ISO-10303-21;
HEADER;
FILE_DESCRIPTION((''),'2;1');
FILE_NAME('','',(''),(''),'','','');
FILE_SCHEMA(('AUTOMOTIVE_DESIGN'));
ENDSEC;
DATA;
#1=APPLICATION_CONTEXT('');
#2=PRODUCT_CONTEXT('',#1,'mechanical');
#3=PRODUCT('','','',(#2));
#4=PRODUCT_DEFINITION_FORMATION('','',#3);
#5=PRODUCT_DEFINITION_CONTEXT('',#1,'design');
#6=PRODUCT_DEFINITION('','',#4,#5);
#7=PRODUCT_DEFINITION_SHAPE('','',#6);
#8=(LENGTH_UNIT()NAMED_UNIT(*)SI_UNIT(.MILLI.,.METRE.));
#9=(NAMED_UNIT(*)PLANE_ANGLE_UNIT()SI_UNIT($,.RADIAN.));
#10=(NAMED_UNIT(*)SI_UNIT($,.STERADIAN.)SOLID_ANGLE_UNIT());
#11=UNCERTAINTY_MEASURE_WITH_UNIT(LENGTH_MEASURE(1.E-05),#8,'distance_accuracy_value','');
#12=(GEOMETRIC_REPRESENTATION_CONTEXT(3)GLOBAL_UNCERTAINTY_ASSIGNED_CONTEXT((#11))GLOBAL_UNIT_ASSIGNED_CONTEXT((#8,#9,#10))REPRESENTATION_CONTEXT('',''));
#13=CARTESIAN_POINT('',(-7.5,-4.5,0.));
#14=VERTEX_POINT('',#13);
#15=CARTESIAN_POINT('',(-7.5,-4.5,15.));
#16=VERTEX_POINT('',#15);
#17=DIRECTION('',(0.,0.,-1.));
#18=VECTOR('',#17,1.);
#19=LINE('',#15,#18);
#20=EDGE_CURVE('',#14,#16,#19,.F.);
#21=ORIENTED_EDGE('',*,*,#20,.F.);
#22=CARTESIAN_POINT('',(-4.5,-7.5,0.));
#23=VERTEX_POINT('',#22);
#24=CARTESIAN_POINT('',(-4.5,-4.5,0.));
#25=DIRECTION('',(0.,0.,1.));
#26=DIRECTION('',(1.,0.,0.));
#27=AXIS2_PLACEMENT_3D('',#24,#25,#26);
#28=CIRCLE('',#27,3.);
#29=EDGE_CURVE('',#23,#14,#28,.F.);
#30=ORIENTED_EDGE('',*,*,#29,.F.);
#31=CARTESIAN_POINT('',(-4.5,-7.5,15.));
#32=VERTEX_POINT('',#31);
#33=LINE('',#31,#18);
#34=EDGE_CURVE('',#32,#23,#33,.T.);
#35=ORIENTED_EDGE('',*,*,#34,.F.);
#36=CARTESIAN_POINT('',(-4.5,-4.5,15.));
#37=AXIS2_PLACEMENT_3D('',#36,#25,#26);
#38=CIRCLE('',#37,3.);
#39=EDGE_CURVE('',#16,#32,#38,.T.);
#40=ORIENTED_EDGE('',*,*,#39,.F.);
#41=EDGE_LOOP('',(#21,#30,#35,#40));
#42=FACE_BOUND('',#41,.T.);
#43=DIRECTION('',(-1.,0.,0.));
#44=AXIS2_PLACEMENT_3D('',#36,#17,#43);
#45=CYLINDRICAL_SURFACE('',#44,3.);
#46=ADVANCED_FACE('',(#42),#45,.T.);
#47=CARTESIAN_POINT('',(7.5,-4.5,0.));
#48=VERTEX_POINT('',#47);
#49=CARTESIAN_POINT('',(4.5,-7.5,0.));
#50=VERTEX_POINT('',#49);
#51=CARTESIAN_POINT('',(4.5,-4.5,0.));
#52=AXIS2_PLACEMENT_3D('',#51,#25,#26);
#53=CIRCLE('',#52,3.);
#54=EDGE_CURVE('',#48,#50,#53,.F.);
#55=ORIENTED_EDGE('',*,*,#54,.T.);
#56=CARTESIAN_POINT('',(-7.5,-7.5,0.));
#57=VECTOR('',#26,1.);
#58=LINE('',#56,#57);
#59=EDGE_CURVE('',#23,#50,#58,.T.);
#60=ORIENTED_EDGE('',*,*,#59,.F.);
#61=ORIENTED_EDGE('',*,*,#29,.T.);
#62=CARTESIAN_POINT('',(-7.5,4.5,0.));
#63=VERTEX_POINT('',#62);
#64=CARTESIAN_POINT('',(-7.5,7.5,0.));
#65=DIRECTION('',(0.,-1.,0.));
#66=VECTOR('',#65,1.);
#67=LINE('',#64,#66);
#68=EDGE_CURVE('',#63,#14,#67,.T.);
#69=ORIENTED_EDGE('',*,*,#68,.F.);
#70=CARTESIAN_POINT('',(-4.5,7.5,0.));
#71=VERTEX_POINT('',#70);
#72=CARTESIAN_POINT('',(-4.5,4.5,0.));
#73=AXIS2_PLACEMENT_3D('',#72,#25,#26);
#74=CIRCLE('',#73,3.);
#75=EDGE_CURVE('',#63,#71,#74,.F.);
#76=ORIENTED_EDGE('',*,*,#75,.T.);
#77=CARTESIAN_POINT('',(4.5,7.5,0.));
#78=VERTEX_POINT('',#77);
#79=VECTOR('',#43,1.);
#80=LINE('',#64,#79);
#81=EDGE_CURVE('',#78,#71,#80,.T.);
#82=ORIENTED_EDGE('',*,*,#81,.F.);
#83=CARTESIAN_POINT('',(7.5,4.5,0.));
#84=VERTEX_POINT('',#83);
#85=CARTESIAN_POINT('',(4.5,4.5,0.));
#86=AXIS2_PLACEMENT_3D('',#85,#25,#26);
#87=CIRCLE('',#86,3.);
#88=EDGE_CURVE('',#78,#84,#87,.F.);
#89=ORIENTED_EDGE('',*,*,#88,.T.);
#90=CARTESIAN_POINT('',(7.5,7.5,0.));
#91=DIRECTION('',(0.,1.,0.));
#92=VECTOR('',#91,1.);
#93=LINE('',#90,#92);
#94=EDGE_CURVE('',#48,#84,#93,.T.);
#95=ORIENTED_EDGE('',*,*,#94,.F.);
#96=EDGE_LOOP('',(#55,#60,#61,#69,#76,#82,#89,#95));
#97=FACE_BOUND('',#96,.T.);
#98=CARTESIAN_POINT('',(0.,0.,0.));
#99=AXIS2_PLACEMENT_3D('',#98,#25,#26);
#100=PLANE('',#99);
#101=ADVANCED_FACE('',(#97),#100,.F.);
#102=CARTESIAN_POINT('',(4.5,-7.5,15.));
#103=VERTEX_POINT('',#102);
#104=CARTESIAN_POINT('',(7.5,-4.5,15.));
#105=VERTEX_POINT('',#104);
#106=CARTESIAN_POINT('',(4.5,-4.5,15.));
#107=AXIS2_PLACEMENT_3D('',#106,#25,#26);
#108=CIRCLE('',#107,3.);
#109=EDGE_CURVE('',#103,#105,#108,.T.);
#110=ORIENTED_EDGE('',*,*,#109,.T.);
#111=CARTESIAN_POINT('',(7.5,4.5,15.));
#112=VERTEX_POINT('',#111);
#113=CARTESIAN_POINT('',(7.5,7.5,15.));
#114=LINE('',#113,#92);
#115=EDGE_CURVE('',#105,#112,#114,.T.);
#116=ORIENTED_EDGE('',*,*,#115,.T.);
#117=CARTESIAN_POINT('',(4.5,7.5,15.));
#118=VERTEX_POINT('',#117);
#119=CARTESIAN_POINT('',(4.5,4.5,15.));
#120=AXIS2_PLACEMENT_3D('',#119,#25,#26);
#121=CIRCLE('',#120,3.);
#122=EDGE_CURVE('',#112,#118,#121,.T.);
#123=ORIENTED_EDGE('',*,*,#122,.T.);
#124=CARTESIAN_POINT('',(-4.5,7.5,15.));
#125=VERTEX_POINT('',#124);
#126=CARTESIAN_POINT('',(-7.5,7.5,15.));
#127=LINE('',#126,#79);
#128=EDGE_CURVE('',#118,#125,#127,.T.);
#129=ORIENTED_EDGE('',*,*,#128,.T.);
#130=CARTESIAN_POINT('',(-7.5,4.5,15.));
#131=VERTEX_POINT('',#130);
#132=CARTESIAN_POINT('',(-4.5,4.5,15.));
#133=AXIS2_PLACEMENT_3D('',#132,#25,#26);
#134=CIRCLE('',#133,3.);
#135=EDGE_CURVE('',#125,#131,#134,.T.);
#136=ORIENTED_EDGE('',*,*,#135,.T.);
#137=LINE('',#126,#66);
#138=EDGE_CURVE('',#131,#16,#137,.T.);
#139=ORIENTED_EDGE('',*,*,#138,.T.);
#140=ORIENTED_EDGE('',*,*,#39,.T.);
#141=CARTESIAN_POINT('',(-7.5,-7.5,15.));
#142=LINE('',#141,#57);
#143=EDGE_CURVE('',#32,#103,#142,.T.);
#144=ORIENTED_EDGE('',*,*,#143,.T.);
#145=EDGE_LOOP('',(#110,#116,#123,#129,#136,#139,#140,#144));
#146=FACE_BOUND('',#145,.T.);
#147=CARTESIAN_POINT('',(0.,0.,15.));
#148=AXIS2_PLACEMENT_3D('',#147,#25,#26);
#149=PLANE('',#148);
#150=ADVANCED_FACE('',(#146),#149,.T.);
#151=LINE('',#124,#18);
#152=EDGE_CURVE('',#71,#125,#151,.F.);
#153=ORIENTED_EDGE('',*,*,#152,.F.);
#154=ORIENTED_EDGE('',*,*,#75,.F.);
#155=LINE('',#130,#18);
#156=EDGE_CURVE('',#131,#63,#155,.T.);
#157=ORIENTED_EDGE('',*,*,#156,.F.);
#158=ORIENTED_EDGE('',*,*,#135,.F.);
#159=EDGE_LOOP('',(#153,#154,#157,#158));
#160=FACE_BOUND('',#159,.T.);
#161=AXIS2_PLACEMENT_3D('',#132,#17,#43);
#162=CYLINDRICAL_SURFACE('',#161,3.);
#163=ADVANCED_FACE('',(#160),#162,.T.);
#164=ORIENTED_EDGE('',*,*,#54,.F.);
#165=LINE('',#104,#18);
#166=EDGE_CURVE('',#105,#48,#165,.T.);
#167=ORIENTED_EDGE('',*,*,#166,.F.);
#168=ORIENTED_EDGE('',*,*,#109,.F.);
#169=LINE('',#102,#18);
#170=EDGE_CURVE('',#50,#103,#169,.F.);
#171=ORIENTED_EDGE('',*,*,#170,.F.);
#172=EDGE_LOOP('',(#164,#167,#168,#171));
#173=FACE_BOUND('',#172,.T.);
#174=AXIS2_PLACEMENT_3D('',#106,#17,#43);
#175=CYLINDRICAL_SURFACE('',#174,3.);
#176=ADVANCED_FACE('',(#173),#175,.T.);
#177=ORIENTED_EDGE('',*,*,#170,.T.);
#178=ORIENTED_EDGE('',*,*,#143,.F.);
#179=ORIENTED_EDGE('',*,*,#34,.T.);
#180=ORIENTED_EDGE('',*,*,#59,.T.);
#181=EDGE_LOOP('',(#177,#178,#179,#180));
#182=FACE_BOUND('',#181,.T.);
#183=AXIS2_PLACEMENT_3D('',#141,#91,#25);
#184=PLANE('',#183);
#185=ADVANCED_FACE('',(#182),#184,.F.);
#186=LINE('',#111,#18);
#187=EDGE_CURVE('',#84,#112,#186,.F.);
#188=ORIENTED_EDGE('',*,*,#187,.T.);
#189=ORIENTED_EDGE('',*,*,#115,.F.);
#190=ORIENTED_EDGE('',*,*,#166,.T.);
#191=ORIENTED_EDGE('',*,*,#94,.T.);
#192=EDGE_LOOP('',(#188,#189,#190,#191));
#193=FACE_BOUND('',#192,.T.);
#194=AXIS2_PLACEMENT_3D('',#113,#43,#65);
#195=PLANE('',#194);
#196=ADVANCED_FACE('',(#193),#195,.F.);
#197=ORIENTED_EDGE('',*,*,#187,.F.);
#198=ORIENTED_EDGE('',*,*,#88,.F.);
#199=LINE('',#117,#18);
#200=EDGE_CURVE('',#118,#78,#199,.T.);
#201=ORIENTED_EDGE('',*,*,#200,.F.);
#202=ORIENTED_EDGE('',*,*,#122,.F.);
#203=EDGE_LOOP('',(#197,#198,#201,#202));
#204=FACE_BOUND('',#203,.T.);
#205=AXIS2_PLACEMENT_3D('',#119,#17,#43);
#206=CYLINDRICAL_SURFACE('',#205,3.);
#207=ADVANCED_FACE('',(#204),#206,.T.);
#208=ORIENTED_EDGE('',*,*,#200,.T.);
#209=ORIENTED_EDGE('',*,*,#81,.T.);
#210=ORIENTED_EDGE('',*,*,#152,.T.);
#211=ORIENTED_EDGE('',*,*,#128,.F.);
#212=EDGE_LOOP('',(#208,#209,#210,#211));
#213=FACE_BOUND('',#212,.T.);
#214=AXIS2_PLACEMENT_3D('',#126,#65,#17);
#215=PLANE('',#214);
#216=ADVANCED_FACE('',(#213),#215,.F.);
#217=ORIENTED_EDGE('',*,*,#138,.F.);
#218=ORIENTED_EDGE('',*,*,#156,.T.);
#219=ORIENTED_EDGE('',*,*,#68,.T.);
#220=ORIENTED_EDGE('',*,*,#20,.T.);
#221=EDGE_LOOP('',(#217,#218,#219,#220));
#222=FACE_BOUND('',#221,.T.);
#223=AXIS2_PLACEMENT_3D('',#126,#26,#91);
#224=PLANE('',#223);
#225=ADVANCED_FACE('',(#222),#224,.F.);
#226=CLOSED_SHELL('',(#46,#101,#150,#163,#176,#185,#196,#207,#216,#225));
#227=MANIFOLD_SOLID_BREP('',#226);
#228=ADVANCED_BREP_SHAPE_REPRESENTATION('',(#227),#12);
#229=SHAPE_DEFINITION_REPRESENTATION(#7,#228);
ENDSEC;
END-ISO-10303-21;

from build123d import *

# Parameters (mm, degrees)
SKETCH1_W           = 15
SKETCH1_H           = 15
BOSS_EXTRUDE1_DEPTH = 15
FILLET1_R           = 3


with BuildPart() as part:
    # Sketch1 → Boss-Extrude1 (new body)
    with BuildSketch(Plane.XY):
        Rectangle(SKETCH1_W, SKETCH1_H)
    extrude(amount=BOSS_EXTRUDE1_DEPTH)

    # Fillet1
    fillet1_edges = [part.edges().sort_by_distance(p)[0] for p in [
        (7.5, -7.5, 7.5),
        (-7.5, -7.5, 7.5),
        (-7.5, 7.5, 7.5),
        (7.5, 7.5, 7.5),
    ]]
    fillet(fillet1_edges, radius=FILLET1_R)


solid = part.part
